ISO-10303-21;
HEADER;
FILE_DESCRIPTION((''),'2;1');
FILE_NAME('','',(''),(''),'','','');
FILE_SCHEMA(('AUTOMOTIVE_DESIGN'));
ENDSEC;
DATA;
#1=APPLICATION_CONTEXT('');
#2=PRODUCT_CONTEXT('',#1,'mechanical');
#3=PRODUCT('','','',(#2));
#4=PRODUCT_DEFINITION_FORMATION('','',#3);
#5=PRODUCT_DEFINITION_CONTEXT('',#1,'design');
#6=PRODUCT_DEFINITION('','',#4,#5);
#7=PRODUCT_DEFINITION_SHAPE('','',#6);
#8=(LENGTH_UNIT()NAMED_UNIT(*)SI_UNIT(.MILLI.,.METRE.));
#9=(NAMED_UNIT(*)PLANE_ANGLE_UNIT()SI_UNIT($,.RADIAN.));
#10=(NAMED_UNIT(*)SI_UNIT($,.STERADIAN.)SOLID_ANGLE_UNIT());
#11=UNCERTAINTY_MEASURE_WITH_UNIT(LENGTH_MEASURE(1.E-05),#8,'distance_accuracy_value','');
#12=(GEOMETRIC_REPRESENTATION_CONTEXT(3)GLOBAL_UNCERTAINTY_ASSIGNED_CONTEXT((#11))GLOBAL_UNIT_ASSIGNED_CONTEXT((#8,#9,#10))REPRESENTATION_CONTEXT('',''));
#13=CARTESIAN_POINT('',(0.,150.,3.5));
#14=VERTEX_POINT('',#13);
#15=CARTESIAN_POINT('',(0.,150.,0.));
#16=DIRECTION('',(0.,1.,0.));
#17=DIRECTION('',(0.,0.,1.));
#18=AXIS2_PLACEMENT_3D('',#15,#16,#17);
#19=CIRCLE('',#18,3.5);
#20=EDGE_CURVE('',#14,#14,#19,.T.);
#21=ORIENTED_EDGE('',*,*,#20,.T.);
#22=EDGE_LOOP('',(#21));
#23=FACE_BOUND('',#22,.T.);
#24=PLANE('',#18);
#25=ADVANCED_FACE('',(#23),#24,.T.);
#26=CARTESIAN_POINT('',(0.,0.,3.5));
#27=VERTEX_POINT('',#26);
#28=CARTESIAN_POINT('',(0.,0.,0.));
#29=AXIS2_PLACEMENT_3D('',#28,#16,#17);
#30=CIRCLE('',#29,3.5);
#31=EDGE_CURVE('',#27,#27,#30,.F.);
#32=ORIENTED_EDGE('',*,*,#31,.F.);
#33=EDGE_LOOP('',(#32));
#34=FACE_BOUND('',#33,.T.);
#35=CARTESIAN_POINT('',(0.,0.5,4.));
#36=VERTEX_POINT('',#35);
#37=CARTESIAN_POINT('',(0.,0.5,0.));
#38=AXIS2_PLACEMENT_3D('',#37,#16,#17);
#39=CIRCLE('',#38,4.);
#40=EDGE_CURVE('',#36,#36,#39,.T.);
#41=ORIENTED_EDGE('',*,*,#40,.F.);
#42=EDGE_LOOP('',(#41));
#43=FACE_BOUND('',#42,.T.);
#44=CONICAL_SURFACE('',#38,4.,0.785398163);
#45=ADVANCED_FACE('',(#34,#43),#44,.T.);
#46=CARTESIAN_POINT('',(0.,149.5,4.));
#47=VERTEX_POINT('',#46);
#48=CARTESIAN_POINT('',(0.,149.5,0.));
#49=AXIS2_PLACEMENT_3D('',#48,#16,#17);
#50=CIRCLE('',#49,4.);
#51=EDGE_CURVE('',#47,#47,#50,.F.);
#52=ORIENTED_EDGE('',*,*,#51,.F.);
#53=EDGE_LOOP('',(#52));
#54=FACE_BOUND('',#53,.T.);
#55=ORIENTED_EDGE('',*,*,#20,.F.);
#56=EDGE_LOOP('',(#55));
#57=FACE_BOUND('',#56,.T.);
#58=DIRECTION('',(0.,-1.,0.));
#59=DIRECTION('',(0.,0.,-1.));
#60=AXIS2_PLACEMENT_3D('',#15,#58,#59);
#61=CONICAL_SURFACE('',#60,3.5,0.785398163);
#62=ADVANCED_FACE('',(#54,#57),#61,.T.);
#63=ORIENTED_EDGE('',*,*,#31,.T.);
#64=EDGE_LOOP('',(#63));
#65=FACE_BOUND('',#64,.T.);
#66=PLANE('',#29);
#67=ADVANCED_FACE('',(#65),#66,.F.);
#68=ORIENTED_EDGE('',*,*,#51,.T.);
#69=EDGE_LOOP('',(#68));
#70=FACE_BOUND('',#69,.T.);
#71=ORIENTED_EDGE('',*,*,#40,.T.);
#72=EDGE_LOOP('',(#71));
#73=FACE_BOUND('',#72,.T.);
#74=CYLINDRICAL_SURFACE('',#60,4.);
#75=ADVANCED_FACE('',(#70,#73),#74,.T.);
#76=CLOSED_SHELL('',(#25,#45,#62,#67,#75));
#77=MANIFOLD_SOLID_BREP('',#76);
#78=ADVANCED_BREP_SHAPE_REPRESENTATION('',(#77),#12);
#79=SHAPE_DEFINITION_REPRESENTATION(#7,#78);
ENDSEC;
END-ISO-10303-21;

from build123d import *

# Parameters (mm, degrees)
SKETCH_1_R      = 4
EXTRUDE_1_DEPTH = 150
CHAMFER_1_SIZE  = 0.5


with BuildPart() as part:
    # Эскиз1 → Бобышка-Вытянуть1 (new body)
    with BuildSketch(Plane(origin=(0, 0, 0), x_dir=(1, 0, 0), z_dir=(0, 1, 0))):
        with Locations(Location((0, 0, 0), (0, 0, 270))):
            Circle(SKETCH_1_R)
    extrude(amount=EXTRUDE_1_DEPTH)

    # Фаска1
    chamfer_1_edges = [part.edges().sort_by_distance(p)[0] for p in [
        (0, 0, -4),
        (0, 150, -4),
    ]]
    chamfer(chamfer_1_edges, length=CHAMFER_1_SIZE)


solid = part.part
